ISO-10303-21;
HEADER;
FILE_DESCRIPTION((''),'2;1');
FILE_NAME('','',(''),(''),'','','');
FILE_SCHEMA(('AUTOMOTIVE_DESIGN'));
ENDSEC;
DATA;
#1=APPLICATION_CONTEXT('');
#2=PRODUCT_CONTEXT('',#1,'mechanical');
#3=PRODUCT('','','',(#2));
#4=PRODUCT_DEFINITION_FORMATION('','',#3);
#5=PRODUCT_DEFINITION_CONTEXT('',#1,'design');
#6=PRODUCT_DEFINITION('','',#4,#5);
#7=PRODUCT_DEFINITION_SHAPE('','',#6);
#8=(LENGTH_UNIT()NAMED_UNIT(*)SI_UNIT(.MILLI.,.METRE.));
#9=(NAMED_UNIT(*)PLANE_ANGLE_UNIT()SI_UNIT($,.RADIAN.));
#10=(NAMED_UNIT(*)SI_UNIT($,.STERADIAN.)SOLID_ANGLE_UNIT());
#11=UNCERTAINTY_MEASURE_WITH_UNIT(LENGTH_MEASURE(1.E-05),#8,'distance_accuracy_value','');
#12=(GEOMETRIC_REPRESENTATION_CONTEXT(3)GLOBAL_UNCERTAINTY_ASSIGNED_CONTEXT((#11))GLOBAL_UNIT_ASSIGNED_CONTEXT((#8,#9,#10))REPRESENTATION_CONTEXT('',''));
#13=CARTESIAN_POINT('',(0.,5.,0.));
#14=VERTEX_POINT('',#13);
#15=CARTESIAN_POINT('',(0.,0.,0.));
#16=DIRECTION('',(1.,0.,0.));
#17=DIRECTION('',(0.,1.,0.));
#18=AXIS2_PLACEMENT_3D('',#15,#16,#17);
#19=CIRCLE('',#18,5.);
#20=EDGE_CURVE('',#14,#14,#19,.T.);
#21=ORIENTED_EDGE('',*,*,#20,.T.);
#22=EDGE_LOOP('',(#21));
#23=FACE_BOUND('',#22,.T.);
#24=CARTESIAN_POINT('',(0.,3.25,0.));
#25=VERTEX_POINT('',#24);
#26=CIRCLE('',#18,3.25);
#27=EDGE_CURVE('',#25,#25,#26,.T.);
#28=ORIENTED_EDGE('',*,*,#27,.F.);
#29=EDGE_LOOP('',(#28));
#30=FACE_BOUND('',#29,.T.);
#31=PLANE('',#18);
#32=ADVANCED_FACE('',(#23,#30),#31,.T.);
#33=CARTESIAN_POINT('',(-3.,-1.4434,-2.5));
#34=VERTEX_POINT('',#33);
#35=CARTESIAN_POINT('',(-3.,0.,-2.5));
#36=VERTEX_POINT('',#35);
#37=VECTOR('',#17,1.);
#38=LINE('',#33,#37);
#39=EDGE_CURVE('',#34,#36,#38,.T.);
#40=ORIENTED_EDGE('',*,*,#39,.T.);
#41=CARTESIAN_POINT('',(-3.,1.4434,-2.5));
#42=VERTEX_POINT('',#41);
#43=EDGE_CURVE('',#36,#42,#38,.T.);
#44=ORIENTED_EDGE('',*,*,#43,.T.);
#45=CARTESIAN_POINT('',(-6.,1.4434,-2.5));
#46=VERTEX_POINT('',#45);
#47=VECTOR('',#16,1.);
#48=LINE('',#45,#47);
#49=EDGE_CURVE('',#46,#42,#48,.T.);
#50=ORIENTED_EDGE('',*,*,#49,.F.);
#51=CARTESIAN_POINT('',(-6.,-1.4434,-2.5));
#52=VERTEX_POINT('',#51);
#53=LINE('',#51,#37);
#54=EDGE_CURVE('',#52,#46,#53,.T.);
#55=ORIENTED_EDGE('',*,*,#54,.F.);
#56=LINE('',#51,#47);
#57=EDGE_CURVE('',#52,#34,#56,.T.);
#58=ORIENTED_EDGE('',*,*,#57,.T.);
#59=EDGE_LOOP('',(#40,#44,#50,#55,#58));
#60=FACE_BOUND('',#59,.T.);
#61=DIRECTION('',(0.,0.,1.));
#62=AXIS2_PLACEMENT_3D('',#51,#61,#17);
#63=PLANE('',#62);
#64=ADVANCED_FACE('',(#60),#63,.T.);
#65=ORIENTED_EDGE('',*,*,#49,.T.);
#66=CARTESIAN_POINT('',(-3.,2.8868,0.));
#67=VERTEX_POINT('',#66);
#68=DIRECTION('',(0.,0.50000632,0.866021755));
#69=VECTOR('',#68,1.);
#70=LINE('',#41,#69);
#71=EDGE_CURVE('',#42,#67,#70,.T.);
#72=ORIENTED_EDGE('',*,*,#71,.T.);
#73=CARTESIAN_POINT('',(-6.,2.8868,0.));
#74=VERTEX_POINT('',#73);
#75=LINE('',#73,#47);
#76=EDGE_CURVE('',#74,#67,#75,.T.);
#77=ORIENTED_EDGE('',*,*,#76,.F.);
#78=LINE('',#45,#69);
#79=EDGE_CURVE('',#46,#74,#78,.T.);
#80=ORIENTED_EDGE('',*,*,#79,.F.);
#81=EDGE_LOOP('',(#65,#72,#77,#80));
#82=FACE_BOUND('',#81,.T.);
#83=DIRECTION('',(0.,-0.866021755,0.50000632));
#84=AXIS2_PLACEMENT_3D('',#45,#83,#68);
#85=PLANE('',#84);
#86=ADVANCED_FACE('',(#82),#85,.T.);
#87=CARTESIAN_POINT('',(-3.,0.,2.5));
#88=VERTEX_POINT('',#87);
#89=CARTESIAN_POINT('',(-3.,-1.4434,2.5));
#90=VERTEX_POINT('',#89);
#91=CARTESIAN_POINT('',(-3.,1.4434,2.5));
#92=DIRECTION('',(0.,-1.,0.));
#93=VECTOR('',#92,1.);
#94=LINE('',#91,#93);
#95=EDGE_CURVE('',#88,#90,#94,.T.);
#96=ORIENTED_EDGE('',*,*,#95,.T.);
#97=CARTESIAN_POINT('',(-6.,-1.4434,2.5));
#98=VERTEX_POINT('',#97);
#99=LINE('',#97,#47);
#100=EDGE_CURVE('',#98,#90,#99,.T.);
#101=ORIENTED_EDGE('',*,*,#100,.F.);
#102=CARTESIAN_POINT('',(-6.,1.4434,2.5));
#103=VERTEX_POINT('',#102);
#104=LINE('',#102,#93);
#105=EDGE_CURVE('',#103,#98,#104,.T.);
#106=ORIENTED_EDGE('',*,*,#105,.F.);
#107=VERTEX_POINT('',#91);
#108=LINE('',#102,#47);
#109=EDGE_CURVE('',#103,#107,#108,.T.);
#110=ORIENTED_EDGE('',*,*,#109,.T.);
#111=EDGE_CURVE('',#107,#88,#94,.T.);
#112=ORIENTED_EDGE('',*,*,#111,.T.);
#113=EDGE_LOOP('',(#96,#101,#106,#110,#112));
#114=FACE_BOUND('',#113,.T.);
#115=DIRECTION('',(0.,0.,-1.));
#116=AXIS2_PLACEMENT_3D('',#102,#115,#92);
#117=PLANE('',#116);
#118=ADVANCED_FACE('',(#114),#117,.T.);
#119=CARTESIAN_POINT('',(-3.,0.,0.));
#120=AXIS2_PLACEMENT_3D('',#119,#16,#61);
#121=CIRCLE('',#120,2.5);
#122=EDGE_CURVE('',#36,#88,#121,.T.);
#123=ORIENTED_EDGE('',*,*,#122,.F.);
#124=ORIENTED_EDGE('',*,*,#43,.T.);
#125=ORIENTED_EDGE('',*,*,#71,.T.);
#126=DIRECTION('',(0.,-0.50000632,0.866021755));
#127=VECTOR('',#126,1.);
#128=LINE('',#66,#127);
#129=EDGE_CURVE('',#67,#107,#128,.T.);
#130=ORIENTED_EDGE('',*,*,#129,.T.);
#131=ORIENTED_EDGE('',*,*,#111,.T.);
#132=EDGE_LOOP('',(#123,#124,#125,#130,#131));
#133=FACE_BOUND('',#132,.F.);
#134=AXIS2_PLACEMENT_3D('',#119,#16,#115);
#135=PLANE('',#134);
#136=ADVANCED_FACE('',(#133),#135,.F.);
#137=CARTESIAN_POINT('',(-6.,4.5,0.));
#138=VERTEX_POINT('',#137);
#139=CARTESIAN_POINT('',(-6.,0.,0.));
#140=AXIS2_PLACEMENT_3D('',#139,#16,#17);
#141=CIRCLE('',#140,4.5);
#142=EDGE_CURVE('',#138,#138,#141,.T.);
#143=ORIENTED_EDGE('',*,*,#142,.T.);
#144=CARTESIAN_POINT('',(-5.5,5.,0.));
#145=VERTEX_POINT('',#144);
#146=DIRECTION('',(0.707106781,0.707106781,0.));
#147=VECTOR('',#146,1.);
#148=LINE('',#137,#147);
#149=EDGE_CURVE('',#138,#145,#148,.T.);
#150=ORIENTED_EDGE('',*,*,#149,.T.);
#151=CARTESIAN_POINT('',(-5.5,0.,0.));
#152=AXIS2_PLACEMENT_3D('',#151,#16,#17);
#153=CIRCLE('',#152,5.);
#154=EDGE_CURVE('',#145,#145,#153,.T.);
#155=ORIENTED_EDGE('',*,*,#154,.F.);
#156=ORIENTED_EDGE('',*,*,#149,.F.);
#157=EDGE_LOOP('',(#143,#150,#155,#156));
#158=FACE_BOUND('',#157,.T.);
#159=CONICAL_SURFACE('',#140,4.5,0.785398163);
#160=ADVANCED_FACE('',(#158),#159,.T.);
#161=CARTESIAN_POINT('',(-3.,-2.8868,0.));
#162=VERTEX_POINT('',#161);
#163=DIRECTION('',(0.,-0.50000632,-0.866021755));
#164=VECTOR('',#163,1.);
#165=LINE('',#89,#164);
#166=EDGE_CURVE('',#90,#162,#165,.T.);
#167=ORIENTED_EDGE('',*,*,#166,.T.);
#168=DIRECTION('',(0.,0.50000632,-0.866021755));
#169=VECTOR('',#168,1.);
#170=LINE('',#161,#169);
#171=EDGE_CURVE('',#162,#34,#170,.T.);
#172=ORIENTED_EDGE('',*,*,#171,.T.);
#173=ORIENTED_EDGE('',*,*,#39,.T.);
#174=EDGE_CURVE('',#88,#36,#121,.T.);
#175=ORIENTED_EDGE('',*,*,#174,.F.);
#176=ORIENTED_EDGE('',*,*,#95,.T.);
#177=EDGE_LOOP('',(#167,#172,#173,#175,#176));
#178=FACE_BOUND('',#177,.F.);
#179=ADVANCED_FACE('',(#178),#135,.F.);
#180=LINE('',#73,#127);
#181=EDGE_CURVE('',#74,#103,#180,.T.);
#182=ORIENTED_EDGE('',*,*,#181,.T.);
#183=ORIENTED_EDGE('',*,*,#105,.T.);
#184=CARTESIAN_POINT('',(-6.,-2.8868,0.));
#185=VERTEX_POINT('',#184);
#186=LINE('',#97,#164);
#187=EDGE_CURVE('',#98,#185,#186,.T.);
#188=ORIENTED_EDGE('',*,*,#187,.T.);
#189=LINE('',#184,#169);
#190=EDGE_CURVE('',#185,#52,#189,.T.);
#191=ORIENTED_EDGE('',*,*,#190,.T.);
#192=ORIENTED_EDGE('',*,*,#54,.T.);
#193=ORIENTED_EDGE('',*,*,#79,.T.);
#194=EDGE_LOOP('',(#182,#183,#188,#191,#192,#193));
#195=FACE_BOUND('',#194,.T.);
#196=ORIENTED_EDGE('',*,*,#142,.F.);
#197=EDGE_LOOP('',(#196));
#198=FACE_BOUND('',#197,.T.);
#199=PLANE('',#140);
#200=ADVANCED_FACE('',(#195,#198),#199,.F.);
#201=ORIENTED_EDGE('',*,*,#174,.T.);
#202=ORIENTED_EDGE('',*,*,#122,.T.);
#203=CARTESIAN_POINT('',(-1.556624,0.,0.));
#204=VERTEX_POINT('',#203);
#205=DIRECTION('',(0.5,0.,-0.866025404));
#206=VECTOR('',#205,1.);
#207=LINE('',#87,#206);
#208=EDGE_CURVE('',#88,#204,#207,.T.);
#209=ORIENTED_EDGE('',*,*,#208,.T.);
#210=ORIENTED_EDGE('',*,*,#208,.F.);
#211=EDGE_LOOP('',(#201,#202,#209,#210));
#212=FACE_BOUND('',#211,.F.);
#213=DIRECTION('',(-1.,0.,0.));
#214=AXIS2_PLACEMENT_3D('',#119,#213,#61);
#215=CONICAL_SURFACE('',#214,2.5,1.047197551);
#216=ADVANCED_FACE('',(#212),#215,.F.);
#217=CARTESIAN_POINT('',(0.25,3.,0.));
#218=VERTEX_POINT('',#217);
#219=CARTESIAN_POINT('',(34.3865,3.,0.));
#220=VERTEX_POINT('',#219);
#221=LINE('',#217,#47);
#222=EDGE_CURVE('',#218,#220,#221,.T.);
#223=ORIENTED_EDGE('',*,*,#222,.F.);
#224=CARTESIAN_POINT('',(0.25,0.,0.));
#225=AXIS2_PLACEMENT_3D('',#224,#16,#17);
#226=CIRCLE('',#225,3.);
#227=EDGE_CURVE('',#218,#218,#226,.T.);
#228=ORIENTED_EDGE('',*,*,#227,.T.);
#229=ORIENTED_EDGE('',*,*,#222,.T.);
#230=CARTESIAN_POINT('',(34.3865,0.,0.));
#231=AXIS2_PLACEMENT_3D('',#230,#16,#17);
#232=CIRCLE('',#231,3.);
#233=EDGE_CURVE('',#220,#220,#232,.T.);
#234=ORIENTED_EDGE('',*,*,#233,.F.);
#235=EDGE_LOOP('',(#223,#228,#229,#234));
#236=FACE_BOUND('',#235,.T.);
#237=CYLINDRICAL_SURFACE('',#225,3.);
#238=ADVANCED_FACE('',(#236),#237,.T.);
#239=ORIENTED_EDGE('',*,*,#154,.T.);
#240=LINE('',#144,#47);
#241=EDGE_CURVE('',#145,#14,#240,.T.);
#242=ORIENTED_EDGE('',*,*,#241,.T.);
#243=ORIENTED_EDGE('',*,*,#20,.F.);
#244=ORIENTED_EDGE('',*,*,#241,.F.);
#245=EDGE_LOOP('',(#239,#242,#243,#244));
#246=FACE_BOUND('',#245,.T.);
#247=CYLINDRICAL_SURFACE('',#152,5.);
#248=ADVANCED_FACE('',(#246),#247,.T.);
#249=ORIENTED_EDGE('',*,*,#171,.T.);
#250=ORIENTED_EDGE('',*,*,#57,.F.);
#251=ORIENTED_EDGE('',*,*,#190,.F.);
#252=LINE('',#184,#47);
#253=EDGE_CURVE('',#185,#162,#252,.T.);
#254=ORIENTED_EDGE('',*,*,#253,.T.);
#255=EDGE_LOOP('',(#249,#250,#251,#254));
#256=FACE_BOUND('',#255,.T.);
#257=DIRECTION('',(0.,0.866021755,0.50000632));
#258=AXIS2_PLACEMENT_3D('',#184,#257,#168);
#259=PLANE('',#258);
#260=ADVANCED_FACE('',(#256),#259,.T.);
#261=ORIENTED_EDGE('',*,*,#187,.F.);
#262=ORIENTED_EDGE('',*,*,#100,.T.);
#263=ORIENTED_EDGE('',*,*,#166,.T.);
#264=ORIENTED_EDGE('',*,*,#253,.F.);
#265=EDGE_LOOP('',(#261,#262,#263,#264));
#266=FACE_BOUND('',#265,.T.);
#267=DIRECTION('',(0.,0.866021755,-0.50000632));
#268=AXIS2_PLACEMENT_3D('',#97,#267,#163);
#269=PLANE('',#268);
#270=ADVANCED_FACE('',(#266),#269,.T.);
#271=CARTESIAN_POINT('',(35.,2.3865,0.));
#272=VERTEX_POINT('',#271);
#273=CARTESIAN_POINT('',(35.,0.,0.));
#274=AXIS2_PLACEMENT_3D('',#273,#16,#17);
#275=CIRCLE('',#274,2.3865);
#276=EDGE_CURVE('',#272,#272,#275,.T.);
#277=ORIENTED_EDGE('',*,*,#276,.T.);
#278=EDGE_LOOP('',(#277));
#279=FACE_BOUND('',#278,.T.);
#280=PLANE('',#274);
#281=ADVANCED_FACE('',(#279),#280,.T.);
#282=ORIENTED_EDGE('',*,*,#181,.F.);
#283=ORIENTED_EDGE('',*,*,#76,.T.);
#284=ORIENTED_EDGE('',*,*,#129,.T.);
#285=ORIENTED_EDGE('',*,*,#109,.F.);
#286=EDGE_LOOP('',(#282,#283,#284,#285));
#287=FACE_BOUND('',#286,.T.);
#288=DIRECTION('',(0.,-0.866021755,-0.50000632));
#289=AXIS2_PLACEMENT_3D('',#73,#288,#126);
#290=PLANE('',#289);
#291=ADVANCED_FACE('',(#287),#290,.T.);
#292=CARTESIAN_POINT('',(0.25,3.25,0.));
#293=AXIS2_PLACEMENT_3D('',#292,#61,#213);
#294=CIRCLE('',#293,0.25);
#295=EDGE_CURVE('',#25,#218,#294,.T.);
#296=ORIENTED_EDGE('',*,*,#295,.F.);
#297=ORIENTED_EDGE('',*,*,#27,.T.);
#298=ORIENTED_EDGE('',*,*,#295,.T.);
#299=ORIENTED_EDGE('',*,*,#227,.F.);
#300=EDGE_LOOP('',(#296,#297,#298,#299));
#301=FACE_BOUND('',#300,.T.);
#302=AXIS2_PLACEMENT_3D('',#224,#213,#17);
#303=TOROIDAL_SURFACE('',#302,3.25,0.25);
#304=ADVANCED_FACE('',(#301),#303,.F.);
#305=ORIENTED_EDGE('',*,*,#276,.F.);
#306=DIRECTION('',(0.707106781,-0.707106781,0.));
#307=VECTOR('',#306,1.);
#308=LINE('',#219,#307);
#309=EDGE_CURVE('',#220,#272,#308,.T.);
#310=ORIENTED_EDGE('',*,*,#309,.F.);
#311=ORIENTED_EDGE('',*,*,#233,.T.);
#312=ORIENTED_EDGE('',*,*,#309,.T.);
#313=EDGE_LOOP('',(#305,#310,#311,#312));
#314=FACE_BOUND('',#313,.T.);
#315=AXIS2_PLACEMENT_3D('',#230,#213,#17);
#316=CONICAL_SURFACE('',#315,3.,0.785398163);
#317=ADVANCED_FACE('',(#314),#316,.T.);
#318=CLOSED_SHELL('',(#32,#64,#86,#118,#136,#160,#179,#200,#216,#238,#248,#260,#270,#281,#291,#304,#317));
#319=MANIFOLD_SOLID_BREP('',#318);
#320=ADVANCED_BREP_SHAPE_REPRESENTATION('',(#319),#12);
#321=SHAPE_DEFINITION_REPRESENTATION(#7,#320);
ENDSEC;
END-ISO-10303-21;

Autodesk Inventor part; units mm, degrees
sketch "Sketch_8" plane through (0, 0, 0) normal (0, 0, 1) x (1, 0, 0)
  line L0 (35, 0) -> (-6, 0)
  line L1 (-6, 0) -> (-6, 4.5)
  line L2 (-6, 4.5) -> (-5.5, 5)
  line L3 (-5.5, 5) -> (0, 5)
  line L4 (0, 5) -> (0, 3.25)
  arc A0 (0, 3.25) -> (0.25, 3) centre (0.25, 3.25) ccw
  line L5 (0.25, 3) -> (34.3865, 3)
  line L6 (34.3865, 3) -> (35, 2.3865)
  line L7 (35, 2.3865) -> (35, 0)
  line L8 (35, 0) -> (-6, 0)
revolve "Revolution1" add sketch "Sketch_8" angle 360 about axis through (35, 0, 0) along (1, 0, 0)
thread "Thread1" size "M6x1" class "6g" standard "ISO Metric profile" length 23.3865
sketch "Sketch2" plane through (-6, 0, 0) normal (-1, 0, 0) x (0, 0, 1)
  point P0 (0, 0)
hole "Hole1" at (-6, 0, 0) direction (1, 0, 0) diameter 5 depth 3 tip angle 120
sketch "Sketch_3" plane through (-6, 0, 0) normal (1, 0, 0) x (0, 0, -1)
  line L0 (-2.5, -1.4434) -> (0, -2.8868)
  line L1 (0, -2.8868) -> (2.5, -1.4434)
  line L2 (2.5, -1.4434) -> (2.5, 1.4434)
  line L3 (2.5, 1.4434) -> (0, 2.8868)
  line L4 (0, 2.8868) -> (-2.5, 1.4434)
  line L5 (-2.5, 1.4434) -> (-2.5, -1.4434)
extrude "Extrusion1" cut sketch "Sketch_3" along normal blind 3
ref_plane "bolt_XY" through (0, 0, 0) normal (1, 0, 0) x (0, 0, -1)
ref_plane "bolt_YZ" through (0, 0, 0) normal (0, 0, -1) x (0, 1, 0)
ref_plane "bolt_ZX" through (0, 0, 0) normal (0, 1, 0) x (1, 0, 0)
ref_plane "nut_XY" through (35, 0, 0) normal (1, 0, 0) x (0, 0, -1)
ref_plane "nut_YZ" through (35, 0, 0) normal (0, 0, -1) x (0, 1, 0)
ref_plane "nut_ZX" through (35, 0, 0) normal (0, 1, 0) x (1, 0, 0)
properties part number "CBM6-35"
